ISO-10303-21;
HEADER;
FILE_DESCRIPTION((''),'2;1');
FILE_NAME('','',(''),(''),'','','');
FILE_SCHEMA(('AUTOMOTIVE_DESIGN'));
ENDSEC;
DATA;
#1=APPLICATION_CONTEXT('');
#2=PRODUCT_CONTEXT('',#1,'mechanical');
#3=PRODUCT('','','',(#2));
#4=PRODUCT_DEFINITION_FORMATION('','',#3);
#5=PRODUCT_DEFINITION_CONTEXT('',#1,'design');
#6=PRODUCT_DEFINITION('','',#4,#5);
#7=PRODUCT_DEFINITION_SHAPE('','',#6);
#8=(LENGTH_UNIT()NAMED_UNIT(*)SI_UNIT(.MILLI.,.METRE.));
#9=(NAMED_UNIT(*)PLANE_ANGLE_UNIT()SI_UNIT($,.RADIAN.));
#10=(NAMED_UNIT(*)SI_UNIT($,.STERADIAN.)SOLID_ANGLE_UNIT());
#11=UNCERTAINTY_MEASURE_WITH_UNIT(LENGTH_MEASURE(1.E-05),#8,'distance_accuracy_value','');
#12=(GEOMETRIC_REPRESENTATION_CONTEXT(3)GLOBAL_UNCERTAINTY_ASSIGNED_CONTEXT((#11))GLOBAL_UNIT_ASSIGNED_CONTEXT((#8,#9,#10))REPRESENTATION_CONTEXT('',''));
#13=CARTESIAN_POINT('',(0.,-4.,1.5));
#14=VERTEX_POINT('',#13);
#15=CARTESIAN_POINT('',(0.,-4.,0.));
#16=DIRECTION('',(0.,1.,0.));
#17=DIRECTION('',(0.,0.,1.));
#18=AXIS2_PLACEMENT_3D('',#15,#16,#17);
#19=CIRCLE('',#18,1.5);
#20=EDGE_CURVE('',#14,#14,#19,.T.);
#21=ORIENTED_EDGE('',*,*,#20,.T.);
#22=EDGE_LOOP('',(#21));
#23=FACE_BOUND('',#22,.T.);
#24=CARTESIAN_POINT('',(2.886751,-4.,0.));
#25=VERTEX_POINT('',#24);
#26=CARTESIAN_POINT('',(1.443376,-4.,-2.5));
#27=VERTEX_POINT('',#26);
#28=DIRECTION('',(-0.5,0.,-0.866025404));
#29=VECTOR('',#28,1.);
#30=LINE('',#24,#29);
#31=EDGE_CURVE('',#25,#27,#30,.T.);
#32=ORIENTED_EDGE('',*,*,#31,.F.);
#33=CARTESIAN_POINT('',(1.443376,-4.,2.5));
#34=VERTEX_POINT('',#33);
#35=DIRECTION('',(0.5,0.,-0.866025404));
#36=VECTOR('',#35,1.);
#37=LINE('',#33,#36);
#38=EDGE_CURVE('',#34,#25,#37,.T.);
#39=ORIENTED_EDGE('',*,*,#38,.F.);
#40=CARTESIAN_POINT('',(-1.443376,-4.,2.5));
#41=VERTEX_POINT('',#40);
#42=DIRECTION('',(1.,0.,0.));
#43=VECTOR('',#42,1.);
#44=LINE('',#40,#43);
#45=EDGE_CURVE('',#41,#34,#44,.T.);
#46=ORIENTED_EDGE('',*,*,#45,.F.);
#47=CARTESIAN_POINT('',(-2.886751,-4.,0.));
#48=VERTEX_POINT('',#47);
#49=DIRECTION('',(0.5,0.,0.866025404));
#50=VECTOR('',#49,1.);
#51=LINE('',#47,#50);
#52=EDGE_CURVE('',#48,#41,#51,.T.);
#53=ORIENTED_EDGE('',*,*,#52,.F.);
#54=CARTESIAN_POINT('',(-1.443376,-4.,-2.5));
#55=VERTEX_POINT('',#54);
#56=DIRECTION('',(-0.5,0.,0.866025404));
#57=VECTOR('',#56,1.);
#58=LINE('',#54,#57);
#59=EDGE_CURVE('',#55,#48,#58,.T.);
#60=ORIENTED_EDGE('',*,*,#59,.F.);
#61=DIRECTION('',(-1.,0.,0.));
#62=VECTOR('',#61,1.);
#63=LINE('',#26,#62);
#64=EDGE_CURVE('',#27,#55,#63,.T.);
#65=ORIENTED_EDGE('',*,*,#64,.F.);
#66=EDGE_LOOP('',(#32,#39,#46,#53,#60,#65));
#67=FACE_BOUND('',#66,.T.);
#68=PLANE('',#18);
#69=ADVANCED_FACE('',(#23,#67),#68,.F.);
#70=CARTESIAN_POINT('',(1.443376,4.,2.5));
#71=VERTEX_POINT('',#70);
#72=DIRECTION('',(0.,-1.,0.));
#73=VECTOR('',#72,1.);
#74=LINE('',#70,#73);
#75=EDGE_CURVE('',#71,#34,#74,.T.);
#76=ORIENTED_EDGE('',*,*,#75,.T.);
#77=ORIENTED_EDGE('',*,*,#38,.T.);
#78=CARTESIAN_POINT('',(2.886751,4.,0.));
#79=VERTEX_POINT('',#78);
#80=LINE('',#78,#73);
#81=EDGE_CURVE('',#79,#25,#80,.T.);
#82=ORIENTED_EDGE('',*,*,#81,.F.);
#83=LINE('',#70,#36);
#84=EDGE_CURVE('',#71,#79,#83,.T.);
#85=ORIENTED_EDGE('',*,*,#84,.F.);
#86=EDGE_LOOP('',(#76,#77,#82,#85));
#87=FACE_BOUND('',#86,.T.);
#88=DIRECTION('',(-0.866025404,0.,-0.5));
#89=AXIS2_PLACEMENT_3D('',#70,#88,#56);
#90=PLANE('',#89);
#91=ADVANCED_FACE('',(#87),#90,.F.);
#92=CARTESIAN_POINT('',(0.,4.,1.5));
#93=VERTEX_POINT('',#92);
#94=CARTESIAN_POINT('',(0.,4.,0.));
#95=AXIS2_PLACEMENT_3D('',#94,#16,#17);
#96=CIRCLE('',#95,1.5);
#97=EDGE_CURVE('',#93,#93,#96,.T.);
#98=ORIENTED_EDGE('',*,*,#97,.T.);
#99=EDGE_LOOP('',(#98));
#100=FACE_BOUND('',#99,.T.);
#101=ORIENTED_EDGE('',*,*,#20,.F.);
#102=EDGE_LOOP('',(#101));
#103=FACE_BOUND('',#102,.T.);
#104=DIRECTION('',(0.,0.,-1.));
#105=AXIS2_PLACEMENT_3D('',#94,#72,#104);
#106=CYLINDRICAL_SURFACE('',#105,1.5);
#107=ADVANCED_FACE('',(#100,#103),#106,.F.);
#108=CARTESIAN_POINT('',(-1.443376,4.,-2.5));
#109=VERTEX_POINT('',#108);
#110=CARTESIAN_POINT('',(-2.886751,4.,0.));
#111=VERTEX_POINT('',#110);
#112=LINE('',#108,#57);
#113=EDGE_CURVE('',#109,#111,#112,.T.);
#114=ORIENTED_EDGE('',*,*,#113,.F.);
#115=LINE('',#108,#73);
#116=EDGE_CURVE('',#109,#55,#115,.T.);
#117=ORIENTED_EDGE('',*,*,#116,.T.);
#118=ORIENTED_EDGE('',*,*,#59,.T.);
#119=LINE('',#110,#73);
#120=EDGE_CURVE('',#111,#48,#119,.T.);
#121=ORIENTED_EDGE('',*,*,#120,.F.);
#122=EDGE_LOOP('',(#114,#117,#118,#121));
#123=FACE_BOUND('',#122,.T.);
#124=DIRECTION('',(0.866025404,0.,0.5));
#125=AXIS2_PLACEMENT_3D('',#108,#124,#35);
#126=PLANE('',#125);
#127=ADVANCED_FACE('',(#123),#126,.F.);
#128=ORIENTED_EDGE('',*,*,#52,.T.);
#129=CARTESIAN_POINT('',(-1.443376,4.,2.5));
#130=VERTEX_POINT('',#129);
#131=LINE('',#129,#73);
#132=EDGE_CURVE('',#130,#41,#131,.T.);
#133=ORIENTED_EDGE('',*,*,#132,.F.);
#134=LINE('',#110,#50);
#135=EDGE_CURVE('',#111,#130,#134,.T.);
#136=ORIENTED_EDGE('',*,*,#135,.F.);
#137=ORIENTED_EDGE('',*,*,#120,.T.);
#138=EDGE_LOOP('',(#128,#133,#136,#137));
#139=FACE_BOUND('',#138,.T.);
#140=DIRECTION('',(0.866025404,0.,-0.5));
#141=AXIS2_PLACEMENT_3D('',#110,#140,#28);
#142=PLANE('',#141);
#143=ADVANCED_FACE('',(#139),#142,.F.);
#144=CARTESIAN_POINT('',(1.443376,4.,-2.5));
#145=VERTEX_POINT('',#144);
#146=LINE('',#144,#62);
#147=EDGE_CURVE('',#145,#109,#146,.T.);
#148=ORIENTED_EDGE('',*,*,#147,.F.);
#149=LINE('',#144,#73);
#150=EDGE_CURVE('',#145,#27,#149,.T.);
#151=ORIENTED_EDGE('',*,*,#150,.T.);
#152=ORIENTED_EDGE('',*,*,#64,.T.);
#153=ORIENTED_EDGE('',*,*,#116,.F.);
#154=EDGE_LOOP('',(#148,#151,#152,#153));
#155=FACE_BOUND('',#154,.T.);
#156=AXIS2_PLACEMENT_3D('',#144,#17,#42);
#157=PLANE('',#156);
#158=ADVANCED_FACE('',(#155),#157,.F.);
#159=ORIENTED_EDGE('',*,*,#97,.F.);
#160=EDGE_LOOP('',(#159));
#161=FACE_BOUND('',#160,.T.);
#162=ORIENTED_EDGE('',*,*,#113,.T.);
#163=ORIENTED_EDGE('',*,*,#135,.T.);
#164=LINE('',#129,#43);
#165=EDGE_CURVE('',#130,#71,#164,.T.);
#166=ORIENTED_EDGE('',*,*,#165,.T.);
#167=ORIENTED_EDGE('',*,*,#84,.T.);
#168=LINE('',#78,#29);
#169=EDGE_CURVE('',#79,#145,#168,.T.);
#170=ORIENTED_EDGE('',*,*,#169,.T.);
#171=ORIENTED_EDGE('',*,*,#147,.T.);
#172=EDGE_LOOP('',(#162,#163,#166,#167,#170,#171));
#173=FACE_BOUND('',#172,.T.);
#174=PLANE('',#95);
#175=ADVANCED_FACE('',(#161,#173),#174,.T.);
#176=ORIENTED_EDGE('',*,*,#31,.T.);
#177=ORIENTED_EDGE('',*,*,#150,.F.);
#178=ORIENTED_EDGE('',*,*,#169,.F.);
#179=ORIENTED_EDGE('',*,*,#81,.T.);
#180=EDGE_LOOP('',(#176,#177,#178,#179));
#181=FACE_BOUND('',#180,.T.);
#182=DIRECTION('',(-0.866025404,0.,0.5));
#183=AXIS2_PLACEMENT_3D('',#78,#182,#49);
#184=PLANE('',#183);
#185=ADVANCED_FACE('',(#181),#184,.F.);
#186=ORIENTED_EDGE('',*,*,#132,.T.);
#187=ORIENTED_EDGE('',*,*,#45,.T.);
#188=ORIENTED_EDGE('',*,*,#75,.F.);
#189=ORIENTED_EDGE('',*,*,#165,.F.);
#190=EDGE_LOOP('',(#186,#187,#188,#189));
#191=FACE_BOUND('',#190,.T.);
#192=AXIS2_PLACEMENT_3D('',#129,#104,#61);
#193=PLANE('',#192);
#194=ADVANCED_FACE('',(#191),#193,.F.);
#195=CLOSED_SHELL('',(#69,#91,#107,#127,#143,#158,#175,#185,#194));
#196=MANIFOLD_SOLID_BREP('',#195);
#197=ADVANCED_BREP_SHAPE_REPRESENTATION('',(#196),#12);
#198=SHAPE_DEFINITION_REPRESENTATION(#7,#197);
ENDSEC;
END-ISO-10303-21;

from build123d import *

# Parameters (mm, degrees)
CROQUIS1_R              = 1.5
SALIENTE_EXTRUIR1_DEPTH = 4


with BuildPart() as part:
    # Croquis1 → Saliente-Extruir1 (new body, symmetric)
    with BuildSketch(Plane(origin=(0, 0, 0), x_dir=(1, 0, 0), z_dir=(0, 1, 0))):
        Polygon((1.443375673, -2.5), (2.886751346, 0), (1.443375673, 2.5), (-1.443375673, 2.5), (-2.886751346, 0), (-1.443375673, -2.5), align=None)
        Circle(CROQUIS1_R, mode=Mode.SUBTRACT)
    extrude(amount=SALIENTE_EXTRUIR1_DEPTH, both=True)


solid = part.part
